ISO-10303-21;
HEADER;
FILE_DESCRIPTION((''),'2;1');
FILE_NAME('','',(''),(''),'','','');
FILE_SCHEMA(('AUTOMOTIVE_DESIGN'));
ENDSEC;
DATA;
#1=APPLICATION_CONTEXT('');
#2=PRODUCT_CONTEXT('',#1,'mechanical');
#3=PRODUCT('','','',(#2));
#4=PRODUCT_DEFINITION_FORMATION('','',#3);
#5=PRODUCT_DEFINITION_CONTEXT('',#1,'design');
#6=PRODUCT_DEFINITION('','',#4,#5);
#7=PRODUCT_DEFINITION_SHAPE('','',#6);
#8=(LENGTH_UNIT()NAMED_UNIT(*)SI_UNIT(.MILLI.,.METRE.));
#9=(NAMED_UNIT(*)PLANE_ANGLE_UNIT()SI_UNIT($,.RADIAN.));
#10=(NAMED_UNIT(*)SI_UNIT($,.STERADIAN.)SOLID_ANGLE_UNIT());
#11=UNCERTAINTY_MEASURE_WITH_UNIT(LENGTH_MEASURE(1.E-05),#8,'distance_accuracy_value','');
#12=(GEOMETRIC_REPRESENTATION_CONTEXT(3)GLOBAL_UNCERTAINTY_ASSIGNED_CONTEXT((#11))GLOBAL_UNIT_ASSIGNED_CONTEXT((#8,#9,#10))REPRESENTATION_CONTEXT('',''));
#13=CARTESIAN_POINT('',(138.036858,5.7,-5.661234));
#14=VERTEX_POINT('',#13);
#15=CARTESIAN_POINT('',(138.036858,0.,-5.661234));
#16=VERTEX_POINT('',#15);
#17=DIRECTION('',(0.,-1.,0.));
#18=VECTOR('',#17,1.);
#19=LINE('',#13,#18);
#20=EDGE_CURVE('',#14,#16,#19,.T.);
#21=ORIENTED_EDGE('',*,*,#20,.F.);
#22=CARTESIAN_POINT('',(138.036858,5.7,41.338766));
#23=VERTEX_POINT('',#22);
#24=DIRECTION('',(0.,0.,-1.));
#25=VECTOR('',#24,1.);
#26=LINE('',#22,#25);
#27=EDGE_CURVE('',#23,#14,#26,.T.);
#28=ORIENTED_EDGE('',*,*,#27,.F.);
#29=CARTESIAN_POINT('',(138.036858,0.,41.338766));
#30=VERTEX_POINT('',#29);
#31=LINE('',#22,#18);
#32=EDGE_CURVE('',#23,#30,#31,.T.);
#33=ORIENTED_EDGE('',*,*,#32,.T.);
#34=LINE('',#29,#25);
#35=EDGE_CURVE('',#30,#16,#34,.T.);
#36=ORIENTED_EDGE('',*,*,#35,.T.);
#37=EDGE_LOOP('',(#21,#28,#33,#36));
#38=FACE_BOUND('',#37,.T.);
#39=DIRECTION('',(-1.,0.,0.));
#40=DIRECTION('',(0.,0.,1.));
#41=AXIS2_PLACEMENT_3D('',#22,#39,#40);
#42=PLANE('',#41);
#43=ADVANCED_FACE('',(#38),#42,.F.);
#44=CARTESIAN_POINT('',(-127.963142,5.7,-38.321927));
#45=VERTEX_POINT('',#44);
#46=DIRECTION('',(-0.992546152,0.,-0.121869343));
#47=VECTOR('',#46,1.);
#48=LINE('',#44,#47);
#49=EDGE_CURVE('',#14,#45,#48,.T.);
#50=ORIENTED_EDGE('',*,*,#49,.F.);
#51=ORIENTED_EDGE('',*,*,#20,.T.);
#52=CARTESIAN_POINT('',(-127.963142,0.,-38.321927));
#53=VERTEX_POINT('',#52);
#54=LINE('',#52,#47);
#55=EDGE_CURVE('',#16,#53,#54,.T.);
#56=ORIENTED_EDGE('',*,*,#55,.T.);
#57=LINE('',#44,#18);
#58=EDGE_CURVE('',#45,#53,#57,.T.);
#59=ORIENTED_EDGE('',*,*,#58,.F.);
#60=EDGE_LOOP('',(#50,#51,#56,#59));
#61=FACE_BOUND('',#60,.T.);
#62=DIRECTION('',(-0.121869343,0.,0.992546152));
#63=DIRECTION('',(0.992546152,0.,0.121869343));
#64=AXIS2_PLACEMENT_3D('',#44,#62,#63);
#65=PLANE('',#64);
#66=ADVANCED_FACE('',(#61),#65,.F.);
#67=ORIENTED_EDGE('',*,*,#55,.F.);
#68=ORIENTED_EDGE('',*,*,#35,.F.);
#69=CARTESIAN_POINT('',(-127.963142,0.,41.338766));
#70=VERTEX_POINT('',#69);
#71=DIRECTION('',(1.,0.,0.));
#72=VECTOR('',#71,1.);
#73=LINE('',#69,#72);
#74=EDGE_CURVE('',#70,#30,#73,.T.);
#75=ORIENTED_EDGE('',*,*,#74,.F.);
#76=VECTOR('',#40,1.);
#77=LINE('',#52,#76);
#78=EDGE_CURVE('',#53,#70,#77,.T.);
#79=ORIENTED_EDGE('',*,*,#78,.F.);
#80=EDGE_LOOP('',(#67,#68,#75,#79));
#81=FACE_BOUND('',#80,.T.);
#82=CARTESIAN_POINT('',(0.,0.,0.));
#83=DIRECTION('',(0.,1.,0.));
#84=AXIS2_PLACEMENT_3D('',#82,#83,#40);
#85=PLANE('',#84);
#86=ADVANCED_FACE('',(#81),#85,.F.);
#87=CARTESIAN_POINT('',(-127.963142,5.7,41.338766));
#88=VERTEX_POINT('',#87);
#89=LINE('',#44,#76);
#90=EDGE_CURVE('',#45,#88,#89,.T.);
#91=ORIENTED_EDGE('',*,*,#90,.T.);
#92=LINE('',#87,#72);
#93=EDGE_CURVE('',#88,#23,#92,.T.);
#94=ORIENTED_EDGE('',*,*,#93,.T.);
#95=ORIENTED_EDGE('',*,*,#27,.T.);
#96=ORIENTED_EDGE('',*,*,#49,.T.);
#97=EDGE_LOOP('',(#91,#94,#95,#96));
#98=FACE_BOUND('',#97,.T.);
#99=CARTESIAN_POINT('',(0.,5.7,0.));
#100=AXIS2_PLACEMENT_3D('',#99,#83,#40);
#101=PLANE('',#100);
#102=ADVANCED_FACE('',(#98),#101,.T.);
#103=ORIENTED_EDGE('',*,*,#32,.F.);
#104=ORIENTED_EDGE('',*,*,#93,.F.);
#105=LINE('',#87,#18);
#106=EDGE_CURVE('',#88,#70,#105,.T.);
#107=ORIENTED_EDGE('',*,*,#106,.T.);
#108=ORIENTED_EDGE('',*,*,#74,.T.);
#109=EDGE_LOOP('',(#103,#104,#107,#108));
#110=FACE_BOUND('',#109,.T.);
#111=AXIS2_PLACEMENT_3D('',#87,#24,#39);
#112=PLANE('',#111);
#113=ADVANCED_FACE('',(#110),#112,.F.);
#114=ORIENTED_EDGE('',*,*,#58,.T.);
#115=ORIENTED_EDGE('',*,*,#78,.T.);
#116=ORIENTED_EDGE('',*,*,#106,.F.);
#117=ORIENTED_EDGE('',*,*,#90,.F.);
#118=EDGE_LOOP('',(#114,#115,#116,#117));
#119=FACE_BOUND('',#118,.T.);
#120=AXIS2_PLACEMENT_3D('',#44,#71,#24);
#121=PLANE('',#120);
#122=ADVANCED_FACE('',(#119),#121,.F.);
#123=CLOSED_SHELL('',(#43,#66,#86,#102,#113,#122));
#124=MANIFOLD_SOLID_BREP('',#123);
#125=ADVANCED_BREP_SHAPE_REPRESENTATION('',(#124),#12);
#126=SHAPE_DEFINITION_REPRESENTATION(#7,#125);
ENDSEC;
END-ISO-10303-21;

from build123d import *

# Parameters (mm, degrees)
BOSS_EXTRUDE1_DEPTH = 5.7


with BuildPart() as part:
    # Sketch1 → Boss-Extrude1 (new body)
    with BuildSketch(Plane(origin=(0, 0, 0), x_dir=(1, 0, 0), z_dir=(0, 1, 0))):
        Polygon((138.036858359, -41.338766256), (138.036858359, 5.661233744), (-127.963141641, 38.321926944), (-127.963141641, -41.338766256), align=None)
    extrude(amount=BOSS_EXTRUDE1_DEPTH)


solid = part.part
